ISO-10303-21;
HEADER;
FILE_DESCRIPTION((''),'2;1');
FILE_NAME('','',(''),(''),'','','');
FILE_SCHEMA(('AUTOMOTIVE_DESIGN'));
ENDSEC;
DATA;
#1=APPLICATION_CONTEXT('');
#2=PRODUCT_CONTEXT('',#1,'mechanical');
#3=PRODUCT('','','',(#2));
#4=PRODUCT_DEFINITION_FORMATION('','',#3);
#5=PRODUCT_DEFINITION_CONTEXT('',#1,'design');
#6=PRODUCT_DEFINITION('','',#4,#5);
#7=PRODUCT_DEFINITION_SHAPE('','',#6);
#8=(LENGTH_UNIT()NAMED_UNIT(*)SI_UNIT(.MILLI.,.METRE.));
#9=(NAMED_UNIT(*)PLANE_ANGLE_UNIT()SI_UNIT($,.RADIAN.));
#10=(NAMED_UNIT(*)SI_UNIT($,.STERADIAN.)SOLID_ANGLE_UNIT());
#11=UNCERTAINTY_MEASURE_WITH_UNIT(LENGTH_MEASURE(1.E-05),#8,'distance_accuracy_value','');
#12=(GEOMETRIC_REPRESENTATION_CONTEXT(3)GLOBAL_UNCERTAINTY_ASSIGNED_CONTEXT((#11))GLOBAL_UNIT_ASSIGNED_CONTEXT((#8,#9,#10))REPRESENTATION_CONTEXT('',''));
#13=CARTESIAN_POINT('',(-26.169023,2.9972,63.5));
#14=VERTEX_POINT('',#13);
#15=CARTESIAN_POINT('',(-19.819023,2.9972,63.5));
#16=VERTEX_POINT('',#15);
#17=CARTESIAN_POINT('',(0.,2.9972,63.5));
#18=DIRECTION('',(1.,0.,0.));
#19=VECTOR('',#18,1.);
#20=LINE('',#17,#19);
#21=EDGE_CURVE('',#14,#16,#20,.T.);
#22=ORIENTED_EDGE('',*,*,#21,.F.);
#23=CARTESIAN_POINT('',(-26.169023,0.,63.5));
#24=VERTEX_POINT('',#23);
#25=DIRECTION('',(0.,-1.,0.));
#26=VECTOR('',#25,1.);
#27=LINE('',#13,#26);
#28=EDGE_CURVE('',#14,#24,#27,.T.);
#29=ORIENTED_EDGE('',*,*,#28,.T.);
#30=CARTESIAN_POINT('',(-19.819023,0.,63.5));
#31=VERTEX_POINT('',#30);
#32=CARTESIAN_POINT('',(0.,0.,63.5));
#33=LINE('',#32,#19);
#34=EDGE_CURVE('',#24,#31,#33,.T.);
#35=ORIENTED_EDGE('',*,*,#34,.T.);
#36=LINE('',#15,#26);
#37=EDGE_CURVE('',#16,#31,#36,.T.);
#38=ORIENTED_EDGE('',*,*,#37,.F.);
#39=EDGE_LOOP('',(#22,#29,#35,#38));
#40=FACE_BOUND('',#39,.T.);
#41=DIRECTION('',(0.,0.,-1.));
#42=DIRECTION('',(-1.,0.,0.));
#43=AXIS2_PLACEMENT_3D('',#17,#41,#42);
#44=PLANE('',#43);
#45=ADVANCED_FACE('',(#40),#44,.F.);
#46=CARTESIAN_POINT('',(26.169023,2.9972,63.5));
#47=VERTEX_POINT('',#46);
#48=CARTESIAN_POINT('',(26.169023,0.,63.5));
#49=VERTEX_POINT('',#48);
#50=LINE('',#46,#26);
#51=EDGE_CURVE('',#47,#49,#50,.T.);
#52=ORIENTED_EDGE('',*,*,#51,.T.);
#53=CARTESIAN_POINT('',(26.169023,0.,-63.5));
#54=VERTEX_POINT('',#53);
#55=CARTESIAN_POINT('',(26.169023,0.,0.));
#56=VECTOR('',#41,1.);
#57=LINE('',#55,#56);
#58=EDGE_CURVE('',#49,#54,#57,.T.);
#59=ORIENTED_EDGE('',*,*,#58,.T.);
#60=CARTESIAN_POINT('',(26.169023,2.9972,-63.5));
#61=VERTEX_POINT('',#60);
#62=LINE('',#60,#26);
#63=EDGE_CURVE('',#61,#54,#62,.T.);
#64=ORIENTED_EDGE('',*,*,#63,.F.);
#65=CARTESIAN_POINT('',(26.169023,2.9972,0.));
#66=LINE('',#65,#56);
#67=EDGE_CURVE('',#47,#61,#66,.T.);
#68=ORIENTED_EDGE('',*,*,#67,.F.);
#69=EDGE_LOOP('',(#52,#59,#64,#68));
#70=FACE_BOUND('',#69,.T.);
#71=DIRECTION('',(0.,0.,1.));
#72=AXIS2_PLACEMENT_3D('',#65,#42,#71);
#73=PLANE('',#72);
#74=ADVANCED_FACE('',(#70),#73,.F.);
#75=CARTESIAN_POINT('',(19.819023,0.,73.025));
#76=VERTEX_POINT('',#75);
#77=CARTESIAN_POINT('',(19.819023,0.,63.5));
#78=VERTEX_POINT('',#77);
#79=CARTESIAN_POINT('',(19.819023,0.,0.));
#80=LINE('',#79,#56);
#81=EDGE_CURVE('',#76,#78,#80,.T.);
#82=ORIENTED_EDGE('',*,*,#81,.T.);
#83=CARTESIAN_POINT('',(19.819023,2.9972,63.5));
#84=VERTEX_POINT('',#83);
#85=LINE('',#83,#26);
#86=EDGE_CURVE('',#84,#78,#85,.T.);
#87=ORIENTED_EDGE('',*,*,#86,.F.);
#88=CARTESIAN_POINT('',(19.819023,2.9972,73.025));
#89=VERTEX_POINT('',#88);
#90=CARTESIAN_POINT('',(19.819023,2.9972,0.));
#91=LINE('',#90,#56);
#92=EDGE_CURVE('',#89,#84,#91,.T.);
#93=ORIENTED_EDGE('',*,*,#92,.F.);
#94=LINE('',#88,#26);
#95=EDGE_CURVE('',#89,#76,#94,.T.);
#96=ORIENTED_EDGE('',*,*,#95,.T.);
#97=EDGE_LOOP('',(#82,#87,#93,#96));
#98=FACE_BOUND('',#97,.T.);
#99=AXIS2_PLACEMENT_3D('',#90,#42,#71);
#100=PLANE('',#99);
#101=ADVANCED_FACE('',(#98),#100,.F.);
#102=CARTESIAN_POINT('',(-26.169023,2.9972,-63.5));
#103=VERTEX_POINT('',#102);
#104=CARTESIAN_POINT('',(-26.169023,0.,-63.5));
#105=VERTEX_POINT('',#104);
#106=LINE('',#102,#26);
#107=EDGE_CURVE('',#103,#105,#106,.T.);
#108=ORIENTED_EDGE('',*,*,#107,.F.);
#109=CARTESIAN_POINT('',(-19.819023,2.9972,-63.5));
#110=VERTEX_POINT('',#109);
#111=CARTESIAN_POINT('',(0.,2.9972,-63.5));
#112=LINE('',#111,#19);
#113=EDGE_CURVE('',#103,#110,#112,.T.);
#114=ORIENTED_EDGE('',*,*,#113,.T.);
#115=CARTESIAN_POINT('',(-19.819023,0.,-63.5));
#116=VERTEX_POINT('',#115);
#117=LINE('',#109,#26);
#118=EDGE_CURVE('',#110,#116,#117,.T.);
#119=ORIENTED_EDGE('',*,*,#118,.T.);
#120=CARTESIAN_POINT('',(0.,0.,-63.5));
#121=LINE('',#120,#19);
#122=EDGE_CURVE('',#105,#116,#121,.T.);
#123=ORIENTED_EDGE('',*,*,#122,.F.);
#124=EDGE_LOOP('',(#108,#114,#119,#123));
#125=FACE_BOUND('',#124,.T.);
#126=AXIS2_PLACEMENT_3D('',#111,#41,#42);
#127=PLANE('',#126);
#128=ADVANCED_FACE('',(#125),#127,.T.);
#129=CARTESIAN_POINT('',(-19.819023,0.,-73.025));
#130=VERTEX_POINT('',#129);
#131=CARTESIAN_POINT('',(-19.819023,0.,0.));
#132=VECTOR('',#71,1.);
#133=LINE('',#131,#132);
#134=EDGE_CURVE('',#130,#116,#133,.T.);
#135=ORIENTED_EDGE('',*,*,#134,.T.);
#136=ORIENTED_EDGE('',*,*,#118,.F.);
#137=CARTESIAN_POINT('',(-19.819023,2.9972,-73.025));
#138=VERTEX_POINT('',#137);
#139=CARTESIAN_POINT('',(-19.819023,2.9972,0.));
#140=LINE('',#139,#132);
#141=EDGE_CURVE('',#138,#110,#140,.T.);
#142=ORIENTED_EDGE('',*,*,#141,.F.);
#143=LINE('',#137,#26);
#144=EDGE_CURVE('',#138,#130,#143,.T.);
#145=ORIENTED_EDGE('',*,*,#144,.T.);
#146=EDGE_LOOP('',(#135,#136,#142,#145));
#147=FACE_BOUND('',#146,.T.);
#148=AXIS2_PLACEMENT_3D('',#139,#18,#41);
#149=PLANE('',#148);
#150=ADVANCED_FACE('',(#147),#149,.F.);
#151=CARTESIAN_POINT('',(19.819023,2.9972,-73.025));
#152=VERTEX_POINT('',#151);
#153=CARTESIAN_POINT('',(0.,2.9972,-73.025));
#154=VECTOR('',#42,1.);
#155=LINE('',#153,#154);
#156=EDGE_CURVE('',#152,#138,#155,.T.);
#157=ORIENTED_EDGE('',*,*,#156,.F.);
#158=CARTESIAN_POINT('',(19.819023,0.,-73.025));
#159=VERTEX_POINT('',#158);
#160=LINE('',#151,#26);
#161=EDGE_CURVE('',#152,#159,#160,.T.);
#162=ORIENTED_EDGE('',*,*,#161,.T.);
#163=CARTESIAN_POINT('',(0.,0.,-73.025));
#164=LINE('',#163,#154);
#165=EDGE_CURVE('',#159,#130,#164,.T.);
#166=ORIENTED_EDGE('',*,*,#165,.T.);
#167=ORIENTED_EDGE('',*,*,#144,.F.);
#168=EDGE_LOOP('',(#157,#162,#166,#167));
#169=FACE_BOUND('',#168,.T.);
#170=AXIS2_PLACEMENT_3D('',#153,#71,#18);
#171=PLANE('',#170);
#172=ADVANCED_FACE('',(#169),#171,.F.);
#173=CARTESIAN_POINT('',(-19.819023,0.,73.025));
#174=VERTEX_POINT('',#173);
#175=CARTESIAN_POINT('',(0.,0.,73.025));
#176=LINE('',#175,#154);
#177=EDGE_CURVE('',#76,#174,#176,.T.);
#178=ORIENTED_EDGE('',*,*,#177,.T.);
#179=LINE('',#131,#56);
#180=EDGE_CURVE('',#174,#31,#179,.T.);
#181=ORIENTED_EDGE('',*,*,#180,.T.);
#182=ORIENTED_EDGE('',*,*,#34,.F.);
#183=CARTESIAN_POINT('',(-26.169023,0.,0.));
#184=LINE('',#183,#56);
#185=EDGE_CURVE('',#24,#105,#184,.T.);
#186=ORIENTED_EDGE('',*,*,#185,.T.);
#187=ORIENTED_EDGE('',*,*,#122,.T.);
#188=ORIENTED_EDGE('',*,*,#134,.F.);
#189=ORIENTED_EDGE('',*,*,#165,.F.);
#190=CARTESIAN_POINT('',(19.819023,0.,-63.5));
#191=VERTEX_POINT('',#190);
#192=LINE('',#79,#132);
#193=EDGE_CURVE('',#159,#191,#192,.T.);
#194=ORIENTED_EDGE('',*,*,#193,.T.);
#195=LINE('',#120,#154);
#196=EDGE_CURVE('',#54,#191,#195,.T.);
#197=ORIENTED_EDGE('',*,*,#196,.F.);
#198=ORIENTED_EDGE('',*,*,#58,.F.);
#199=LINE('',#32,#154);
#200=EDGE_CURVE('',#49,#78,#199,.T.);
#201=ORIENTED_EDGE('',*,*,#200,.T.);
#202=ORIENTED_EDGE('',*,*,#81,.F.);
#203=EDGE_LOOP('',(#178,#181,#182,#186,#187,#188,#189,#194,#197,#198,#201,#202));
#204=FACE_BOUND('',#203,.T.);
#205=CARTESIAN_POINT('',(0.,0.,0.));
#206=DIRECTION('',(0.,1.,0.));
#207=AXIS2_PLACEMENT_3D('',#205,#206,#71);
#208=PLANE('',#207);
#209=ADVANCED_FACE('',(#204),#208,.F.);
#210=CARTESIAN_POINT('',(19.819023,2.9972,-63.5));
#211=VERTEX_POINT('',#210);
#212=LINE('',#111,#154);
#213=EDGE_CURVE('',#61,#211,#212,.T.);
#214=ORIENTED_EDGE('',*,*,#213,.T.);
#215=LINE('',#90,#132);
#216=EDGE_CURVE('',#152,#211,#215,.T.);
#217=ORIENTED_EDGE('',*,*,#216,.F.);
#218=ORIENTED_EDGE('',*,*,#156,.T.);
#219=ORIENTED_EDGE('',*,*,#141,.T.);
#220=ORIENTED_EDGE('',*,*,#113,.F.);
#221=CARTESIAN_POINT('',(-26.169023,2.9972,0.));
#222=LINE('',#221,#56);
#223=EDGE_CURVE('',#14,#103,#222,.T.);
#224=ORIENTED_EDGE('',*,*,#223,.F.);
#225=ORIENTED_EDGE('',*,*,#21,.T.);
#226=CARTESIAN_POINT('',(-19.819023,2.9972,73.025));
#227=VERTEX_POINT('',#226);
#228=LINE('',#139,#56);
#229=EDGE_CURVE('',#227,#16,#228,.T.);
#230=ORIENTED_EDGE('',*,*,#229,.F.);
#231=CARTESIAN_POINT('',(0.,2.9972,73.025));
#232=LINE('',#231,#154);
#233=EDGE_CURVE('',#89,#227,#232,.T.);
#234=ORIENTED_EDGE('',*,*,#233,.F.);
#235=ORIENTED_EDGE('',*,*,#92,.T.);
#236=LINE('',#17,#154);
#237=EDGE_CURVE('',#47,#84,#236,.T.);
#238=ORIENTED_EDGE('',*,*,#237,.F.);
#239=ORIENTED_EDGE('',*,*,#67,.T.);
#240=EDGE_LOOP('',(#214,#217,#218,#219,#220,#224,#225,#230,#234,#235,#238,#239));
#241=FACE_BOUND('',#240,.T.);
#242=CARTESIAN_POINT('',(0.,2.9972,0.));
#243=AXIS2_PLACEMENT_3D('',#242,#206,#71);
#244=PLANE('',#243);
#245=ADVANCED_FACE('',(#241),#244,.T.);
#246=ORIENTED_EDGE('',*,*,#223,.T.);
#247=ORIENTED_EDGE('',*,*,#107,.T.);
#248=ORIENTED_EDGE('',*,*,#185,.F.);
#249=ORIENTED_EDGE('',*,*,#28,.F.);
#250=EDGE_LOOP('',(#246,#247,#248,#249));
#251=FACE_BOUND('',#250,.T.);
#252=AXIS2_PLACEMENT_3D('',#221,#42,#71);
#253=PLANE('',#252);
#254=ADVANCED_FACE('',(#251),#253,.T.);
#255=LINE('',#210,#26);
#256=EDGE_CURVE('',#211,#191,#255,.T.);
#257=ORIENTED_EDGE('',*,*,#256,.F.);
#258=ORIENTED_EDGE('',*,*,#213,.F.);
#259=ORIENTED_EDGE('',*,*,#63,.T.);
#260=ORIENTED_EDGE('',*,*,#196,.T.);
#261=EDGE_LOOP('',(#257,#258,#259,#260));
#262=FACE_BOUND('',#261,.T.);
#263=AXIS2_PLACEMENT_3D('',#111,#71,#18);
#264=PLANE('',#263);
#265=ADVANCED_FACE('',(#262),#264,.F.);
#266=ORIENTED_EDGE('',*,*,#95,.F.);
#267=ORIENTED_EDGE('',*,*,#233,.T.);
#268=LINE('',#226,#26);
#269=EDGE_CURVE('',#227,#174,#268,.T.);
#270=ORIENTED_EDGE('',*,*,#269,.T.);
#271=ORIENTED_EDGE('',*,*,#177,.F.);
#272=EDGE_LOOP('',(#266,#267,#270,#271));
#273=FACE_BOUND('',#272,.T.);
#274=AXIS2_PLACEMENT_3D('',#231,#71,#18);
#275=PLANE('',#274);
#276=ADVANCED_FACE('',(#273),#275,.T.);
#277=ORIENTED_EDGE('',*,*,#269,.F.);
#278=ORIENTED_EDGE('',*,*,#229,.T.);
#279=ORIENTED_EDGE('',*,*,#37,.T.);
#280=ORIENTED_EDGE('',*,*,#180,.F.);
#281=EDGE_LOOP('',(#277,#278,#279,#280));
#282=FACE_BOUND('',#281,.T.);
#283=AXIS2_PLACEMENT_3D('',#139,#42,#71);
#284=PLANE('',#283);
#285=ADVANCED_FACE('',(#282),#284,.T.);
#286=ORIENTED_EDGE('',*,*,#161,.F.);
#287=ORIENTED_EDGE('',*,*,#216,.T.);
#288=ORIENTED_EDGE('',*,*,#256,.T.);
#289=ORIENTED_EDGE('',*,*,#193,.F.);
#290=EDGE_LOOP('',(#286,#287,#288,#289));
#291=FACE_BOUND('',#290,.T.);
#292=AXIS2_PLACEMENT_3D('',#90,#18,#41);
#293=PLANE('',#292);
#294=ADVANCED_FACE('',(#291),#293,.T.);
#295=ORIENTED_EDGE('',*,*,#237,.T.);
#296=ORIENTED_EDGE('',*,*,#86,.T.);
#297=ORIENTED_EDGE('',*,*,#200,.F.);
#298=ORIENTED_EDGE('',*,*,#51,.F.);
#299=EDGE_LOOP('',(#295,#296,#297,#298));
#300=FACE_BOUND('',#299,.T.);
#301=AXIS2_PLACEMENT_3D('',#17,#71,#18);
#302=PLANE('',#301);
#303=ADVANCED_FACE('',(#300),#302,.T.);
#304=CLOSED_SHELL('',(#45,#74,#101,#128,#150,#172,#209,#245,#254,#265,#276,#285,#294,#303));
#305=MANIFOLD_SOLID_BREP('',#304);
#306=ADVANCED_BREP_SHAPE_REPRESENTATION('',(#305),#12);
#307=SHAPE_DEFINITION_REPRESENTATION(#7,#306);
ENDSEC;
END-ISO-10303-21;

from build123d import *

# Parameters (mm, degrees)
BOSS_EXTRUDE1_DEPTH = 2.9972


with BuildPart() as part:
    # Sketch1 → Boss-Extrude1 (new body)
    with BuildSketch(Plane(origin=(0, 0, 0), x_dir=(1, 0, 0), z_dir=(0, 1, 0))):
        Polygon((-19.8190231, -73.025), (19.8190231, -73.025), (19.8190231, -63.5), (26.1690231, -63.5), (26.1690231, 63.5), (19.8190231, 63.5), (19.8190231, 73.025), (-19.8190231, 73.025), (-19.8190231, 63.5), (-26.1690231, 63.5), (-26.1690231, -63.5), (-19.8190231, -63.5), align=None)
    extrude(amount=BOSS_EXTRUDE1_DEPTH)


solid = part.part
